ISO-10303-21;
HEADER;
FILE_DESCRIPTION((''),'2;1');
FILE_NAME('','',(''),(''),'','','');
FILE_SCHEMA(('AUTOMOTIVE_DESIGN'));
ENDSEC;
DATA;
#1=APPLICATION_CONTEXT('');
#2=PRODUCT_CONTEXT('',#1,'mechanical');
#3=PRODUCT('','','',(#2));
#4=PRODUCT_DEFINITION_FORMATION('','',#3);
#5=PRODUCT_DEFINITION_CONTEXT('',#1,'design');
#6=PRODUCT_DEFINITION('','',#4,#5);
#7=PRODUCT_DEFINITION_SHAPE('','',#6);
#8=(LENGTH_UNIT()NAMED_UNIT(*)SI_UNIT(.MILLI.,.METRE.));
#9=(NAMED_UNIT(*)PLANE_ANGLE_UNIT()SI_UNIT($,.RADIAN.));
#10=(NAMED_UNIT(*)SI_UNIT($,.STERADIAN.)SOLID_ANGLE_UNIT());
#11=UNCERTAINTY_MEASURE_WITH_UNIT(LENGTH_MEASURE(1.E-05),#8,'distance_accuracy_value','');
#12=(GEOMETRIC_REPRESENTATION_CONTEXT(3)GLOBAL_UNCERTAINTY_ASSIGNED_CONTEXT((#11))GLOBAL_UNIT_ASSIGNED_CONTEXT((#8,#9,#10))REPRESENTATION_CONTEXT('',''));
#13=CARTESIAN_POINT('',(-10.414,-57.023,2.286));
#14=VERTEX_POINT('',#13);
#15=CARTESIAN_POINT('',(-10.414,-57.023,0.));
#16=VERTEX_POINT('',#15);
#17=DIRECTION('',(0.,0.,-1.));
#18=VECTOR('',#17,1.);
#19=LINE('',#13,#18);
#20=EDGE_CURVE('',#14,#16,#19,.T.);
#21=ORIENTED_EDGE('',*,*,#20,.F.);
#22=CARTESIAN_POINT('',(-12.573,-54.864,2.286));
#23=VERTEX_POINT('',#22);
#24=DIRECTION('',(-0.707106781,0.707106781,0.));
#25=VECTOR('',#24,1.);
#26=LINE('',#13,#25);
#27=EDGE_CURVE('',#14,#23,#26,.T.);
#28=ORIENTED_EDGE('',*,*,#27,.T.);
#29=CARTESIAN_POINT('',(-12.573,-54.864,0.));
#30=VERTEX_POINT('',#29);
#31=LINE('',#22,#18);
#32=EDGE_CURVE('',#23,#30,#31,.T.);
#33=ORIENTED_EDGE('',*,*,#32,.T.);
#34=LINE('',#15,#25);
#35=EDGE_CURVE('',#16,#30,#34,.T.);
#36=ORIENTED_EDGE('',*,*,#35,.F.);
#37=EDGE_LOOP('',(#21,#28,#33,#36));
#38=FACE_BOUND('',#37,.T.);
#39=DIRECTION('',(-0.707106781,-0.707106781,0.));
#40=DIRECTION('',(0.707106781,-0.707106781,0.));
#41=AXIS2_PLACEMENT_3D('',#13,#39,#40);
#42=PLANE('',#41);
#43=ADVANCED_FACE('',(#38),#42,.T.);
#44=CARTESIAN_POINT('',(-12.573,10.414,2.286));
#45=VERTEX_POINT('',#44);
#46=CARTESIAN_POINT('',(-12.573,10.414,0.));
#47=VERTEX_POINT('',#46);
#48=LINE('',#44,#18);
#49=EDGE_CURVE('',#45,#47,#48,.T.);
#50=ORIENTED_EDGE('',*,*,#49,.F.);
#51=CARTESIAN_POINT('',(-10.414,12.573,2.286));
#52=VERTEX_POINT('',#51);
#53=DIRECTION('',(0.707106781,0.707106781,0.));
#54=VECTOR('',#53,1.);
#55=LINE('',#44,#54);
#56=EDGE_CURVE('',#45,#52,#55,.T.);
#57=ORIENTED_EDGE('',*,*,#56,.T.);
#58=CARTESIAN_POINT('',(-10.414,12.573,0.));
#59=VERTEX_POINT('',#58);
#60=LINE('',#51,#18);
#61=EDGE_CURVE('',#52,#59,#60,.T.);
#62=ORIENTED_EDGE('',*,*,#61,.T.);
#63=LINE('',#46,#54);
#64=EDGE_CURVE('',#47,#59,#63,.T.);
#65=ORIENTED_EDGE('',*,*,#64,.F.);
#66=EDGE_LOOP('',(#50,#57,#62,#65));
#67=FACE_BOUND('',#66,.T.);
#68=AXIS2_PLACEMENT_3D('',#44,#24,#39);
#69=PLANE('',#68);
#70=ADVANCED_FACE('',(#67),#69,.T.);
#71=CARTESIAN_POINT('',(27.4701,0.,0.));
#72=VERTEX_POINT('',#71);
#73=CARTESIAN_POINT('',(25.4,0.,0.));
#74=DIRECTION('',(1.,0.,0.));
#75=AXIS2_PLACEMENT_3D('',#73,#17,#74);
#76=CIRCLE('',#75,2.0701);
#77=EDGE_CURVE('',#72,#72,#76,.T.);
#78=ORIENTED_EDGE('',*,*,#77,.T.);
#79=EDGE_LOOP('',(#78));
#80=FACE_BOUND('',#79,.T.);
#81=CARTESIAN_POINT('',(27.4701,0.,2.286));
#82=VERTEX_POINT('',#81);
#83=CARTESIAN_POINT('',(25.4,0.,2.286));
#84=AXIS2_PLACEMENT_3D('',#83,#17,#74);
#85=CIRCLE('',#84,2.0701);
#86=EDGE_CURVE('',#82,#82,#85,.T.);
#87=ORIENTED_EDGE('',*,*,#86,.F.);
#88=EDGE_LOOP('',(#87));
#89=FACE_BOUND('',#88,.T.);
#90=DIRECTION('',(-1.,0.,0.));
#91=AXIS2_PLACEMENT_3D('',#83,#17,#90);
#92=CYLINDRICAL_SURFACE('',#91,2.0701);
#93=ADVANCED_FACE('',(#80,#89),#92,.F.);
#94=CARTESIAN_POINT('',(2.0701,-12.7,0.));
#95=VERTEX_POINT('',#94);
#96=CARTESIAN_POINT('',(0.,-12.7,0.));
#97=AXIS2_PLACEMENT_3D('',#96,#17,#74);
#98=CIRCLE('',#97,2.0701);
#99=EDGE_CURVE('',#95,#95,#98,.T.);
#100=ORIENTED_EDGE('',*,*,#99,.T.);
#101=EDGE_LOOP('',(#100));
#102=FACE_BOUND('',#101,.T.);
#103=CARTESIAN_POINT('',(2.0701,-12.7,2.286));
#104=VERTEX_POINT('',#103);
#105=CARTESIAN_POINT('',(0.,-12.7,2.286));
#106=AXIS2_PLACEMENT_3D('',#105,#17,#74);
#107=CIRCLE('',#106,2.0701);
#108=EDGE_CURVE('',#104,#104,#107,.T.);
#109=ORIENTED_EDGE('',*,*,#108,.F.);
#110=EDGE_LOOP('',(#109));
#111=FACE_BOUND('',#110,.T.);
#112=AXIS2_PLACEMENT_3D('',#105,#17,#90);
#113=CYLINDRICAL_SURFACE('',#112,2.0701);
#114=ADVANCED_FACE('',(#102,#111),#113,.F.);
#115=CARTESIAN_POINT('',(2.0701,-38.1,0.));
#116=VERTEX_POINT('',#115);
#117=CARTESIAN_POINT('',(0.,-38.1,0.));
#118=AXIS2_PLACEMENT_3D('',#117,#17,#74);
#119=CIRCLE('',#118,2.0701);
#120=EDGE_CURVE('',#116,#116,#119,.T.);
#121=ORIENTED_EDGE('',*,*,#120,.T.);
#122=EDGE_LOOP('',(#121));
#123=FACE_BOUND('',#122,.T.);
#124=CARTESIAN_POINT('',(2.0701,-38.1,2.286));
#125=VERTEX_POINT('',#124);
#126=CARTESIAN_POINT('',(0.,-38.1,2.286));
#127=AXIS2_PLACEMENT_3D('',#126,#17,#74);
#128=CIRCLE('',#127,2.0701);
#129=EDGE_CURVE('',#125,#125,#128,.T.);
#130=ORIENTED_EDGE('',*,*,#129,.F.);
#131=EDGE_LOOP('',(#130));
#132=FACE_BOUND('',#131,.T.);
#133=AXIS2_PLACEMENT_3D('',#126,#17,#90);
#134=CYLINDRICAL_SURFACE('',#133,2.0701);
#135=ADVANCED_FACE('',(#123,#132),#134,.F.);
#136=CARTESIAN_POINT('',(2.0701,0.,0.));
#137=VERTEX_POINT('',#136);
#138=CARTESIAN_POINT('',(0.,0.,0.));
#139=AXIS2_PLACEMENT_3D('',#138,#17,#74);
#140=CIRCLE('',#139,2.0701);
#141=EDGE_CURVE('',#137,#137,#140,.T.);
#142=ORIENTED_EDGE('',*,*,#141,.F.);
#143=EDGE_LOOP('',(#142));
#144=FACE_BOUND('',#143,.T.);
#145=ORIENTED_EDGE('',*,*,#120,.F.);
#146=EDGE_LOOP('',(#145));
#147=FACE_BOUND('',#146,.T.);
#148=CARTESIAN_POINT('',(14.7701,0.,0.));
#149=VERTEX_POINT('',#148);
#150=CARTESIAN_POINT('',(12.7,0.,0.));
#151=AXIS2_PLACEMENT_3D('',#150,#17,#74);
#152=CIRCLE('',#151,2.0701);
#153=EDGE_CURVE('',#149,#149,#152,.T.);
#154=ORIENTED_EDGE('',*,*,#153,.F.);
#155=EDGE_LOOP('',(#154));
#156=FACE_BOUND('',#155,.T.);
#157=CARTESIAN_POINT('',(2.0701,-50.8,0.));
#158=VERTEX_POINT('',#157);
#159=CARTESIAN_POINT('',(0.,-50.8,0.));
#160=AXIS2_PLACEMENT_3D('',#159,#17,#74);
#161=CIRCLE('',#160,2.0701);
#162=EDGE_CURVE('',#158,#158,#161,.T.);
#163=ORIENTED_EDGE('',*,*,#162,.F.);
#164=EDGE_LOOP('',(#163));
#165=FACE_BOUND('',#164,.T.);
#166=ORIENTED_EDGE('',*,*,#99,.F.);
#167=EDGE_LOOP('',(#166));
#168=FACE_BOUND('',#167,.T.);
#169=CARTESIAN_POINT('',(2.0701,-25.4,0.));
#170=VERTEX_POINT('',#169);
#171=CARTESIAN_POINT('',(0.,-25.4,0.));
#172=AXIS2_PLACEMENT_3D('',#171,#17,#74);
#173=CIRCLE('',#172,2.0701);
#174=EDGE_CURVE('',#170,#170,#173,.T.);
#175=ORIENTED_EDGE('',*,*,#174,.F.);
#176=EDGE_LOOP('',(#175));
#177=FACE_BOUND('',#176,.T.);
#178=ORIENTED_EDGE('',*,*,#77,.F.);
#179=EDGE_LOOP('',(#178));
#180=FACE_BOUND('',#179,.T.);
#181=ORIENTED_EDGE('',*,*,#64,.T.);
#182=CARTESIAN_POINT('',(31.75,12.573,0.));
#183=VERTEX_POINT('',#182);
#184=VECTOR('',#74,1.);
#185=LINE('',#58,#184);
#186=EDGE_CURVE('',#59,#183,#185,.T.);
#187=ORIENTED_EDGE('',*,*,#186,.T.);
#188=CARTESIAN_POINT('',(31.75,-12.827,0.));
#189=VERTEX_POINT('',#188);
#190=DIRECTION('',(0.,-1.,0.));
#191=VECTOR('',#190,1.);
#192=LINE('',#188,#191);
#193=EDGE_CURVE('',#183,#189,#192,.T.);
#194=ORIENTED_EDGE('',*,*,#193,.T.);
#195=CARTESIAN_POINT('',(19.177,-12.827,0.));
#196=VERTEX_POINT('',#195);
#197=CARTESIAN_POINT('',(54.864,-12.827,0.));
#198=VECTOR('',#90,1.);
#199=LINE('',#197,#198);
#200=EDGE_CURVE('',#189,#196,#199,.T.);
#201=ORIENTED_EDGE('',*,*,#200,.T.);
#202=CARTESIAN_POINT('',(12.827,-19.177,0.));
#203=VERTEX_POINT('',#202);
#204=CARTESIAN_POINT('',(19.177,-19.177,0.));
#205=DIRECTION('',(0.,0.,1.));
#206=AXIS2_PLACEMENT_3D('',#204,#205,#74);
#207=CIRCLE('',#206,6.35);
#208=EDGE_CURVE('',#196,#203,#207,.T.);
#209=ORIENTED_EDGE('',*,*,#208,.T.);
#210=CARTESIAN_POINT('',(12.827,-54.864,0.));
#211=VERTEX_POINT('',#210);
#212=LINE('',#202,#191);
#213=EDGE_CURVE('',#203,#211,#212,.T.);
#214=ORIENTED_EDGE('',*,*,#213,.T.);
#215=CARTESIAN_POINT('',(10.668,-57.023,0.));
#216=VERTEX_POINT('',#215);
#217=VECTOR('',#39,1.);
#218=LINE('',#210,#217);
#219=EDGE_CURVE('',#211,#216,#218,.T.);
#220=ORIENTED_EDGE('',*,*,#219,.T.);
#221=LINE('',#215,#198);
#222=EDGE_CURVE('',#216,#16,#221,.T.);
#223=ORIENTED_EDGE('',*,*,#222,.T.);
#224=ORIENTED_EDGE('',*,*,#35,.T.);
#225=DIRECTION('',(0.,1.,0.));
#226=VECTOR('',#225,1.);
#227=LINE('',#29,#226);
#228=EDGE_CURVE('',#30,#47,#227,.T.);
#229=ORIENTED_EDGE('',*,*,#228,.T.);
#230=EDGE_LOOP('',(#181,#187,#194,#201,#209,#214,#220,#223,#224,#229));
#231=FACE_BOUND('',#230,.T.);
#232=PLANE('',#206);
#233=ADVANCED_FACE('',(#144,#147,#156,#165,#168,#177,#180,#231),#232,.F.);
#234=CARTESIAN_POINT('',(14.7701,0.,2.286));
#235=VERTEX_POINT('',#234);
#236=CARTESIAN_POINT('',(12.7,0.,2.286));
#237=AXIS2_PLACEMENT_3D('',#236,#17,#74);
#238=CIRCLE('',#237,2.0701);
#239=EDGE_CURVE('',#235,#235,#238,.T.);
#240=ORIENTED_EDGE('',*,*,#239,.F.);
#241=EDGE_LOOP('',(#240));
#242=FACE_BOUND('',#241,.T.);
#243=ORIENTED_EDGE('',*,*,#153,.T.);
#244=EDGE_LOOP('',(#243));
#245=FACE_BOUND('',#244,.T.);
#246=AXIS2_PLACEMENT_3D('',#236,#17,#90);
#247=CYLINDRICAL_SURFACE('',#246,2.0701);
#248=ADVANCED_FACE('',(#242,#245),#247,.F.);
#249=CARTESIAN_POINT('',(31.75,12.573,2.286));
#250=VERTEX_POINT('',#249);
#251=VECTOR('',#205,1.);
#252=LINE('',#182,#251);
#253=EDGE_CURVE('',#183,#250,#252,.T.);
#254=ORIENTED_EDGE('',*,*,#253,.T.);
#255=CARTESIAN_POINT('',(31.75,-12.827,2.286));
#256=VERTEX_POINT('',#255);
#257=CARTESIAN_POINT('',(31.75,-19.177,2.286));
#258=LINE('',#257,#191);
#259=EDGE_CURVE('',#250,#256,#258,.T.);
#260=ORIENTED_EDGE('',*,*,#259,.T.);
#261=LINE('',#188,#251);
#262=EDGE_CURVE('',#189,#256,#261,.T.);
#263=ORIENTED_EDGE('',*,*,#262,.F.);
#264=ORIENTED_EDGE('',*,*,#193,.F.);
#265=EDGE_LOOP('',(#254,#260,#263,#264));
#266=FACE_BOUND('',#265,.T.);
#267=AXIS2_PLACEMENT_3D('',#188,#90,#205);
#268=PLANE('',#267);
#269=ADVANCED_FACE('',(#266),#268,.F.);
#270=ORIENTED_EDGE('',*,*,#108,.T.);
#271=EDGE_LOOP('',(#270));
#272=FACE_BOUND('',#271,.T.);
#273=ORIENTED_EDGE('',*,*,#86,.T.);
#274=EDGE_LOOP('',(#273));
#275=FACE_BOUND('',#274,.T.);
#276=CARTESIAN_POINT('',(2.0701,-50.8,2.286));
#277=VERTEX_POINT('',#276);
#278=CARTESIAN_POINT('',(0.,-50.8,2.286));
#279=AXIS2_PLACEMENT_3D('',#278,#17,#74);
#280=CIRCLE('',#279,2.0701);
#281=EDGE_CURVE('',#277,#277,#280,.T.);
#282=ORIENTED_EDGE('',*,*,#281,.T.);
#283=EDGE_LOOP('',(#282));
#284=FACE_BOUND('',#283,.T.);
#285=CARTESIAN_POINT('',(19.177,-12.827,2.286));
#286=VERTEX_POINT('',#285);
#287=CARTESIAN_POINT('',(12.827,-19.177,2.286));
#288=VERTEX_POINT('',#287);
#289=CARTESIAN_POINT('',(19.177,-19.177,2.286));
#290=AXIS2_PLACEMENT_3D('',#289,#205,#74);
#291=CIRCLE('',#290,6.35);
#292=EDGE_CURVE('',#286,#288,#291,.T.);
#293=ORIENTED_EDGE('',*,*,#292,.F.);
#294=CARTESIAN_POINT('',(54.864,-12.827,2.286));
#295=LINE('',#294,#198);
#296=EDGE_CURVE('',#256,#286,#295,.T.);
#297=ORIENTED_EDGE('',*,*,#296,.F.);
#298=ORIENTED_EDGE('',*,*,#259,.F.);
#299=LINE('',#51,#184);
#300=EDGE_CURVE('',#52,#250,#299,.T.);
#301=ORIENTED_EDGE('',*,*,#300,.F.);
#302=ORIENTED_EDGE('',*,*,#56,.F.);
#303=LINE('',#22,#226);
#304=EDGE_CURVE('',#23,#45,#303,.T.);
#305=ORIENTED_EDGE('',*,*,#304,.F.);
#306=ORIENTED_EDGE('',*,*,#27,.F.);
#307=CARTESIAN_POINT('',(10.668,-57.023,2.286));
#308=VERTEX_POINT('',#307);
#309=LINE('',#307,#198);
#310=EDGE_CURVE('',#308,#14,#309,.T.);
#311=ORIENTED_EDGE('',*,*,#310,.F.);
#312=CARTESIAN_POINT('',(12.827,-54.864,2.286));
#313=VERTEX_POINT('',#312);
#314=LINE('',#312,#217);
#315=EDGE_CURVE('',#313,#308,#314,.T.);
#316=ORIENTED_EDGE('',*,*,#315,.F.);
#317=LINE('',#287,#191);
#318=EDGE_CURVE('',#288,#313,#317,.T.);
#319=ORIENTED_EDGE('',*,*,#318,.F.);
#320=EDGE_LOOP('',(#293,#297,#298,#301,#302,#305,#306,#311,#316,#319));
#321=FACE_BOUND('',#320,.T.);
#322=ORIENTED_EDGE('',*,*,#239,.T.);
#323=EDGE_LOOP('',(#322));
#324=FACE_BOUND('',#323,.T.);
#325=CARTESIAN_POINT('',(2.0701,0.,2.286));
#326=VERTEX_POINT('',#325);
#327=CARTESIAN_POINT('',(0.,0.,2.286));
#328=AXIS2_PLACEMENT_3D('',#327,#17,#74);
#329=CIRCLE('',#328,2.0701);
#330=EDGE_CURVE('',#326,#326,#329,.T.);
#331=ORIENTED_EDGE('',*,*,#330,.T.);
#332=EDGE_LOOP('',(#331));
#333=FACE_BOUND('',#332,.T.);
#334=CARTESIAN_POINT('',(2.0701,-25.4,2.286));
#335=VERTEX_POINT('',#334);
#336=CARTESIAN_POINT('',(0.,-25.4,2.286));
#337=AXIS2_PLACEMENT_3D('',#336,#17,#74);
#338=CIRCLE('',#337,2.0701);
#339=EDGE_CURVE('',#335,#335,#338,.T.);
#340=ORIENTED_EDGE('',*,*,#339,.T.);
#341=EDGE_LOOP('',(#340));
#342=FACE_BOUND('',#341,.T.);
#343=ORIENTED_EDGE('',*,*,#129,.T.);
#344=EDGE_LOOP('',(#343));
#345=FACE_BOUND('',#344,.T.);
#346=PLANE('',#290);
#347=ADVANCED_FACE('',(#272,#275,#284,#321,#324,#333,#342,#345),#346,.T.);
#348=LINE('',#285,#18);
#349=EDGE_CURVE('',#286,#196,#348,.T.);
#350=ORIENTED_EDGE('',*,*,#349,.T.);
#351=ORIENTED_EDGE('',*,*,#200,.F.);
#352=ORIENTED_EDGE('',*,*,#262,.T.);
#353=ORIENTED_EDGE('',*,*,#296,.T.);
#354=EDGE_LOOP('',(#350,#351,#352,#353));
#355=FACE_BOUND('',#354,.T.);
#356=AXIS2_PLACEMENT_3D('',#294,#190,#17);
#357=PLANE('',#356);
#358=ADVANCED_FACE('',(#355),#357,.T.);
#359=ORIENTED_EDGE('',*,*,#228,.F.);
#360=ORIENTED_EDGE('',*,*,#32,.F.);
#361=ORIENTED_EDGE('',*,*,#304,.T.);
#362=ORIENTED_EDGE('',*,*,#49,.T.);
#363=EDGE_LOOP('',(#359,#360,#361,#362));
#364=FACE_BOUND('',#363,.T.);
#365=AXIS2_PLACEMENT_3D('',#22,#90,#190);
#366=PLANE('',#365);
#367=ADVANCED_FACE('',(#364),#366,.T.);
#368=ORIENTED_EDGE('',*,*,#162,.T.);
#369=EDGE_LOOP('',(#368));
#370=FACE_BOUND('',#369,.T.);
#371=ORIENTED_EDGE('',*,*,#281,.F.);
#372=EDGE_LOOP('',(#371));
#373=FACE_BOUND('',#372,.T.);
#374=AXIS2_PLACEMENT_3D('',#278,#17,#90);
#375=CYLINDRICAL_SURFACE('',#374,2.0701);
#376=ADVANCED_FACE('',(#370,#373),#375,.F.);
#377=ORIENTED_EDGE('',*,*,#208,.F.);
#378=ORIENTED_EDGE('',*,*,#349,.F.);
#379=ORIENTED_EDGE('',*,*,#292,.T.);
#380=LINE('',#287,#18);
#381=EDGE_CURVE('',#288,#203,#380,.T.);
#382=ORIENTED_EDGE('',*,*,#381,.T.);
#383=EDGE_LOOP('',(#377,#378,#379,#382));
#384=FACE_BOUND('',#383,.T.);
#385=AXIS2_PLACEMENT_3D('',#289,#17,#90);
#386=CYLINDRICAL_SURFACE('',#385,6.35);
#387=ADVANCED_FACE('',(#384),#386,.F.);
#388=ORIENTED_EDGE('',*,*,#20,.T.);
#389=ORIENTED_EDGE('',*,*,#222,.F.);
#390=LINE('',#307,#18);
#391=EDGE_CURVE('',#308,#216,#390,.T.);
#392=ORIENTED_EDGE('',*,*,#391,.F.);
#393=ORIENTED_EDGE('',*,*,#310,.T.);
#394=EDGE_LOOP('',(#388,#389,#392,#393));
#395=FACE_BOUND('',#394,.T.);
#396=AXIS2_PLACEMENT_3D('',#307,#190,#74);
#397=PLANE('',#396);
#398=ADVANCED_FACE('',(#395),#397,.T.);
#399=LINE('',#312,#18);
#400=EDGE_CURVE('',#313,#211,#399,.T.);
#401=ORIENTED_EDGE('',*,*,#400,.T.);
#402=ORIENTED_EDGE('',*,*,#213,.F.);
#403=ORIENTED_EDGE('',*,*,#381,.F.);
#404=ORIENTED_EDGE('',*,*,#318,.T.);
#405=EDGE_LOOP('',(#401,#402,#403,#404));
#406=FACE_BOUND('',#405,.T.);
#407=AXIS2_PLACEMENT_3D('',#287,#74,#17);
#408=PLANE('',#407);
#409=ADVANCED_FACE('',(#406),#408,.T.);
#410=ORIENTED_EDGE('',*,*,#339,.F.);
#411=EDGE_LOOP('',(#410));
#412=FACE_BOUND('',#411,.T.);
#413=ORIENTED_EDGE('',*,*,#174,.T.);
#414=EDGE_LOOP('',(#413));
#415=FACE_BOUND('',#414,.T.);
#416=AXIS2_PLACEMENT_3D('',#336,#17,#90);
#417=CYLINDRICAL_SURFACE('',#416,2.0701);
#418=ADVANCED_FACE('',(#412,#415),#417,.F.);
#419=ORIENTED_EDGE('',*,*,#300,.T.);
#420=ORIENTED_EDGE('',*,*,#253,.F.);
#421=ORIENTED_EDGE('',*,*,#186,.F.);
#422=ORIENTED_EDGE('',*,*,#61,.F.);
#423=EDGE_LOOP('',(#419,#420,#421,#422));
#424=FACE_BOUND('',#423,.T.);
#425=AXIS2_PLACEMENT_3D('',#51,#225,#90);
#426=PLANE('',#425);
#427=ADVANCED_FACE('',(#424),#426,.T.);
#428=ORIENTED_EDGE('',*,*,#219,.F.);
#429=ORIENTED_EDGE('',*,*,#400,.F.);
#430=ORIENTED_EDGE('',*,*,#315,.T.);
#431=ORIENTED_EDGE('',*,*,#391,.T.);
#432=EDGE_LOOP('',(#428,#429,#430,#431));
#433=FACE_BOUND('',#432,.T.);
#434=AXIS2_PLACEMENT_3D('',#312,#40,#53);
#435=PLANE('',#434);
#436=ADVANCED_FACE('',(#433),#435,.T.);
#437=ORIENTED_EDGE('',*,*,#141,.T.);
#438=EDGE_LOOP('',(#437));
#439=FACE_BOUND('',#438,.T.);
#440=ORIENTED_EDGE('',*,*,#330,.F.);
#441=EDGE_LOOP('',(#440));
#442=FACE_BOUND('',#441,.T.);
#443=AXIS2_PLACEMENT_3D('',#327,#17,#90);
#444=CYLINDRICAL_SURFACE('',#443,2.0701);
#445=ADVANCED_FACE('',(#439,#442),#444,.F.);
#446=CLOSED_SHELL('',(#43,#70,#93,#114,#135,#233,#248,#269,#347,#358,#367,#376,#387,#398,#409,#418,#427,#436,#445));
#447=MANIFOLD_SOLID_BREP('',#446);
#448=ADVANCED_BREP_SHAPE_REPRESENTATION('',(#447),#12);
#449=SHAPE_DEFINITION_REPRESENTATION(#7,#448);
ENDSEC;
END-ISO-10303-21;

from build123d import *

# Parameters (mm, degrees)
SKETCH1_R               = 2.0701
BOSS_EXTRUDE1_DEPTH     = 2.286
SKETCH2_W               = 25.273
SKETCH2_H               = 25.4
CUT_EXTRUDE1_DEPTH      = 1
CUT_EXTRUDE1_DEPTH_BACK = 3.286


with BuildPart() as part:
    # Sketch1 → Boss-Extrude1 (new body)
    with BuildSketch(Plane(origin=(0, 0, 0), x_dir=(-1, 0, 0), z_dir=(0, 0, -1))):
        with BuildLine():
            Line((10.414, 12.573), (-54.864, 12.573))
            Line((-54.864, 12.573), (-57.023, 10.414))
            Line((-57.023, 10.414), (-57.023, -10.668))
            Line((-57.023, -10.668), (-54.864, -12.827))
            Line((-54.864, -12.827), (-19.177, -12.827))
            ThreePointArc((-19.177, -12.827), (-14.686871939, -14.686871939), (-12.827, -19.177))
            Line((-12.827, -19.177), (-12.827, -54.864))
            Line((-12.827, -54.864), (-10.668, -57.023))
            Line((-10.668, -57.023), (10.414, -57.023))
            Line((10.414, -57.023), (12.573, -54.864))
            Line((12.573, -54.864), (12.573, 10.414))
            Line((12.573, 10.414), (10.414, 12.573))
        make_face()
        with Locations((0, -50.8)):
            Circle(SKETCH1_R, mode=Mode.SUBTRACT)
        with Locations((0, -25.4)):
            Circle(SKETCH1_R, mode=Mode.SUBTRACT)
        with Locations((-38.1, 0)):
            Circle(SKETCH1_R, mode=Mode.SUBTRACT)
        with Locations((-12.7, 0)):
            Circle(SKETCH1_R, mode=Mode.SUBTRACT)
        Circle(SKETCH1_R, mode=Mode.SUBTRACT)
        with Locations((-25.4, 0)):
            Circle(SKETCH1_R, mode=Mode.SUBTRACT)
        with Locations((0, -12.7)):
            Circle(SKETCH1_R, mode=Mode.SUBTRACT)
        with Locations((0, -38.1)):
            Circle(SKETCH1_R, mode=Mode.SUBTRACT)
        with Locations((-50.8, 0)):
            Circle(SKETCH1_R, mode=Mode.SUBTRACT)
    extrude(amount=-BOSS_EXTRUDE1_DEPTH)

    # Sketch2 → Cut-Extrude1 (cut, two sides)
    with BuildSketch(Plane.XY.offset(2.286)) as cut_extrude1_sk:
        with Locations((44.3865, -0.127)):
            Rectangle(SKETCH2_W, SKETCH2_H)
    extrude(amount=CUT_EXTRUDE1_DEPTH, mode=Mode.SUBTRACT)
    extrude(cut_extrude1_sk.sketch, amount=-CUT_EXTRUDE1_DEPTH_BACK, mode=Mode.SUBTRACT)


solid = part.part
